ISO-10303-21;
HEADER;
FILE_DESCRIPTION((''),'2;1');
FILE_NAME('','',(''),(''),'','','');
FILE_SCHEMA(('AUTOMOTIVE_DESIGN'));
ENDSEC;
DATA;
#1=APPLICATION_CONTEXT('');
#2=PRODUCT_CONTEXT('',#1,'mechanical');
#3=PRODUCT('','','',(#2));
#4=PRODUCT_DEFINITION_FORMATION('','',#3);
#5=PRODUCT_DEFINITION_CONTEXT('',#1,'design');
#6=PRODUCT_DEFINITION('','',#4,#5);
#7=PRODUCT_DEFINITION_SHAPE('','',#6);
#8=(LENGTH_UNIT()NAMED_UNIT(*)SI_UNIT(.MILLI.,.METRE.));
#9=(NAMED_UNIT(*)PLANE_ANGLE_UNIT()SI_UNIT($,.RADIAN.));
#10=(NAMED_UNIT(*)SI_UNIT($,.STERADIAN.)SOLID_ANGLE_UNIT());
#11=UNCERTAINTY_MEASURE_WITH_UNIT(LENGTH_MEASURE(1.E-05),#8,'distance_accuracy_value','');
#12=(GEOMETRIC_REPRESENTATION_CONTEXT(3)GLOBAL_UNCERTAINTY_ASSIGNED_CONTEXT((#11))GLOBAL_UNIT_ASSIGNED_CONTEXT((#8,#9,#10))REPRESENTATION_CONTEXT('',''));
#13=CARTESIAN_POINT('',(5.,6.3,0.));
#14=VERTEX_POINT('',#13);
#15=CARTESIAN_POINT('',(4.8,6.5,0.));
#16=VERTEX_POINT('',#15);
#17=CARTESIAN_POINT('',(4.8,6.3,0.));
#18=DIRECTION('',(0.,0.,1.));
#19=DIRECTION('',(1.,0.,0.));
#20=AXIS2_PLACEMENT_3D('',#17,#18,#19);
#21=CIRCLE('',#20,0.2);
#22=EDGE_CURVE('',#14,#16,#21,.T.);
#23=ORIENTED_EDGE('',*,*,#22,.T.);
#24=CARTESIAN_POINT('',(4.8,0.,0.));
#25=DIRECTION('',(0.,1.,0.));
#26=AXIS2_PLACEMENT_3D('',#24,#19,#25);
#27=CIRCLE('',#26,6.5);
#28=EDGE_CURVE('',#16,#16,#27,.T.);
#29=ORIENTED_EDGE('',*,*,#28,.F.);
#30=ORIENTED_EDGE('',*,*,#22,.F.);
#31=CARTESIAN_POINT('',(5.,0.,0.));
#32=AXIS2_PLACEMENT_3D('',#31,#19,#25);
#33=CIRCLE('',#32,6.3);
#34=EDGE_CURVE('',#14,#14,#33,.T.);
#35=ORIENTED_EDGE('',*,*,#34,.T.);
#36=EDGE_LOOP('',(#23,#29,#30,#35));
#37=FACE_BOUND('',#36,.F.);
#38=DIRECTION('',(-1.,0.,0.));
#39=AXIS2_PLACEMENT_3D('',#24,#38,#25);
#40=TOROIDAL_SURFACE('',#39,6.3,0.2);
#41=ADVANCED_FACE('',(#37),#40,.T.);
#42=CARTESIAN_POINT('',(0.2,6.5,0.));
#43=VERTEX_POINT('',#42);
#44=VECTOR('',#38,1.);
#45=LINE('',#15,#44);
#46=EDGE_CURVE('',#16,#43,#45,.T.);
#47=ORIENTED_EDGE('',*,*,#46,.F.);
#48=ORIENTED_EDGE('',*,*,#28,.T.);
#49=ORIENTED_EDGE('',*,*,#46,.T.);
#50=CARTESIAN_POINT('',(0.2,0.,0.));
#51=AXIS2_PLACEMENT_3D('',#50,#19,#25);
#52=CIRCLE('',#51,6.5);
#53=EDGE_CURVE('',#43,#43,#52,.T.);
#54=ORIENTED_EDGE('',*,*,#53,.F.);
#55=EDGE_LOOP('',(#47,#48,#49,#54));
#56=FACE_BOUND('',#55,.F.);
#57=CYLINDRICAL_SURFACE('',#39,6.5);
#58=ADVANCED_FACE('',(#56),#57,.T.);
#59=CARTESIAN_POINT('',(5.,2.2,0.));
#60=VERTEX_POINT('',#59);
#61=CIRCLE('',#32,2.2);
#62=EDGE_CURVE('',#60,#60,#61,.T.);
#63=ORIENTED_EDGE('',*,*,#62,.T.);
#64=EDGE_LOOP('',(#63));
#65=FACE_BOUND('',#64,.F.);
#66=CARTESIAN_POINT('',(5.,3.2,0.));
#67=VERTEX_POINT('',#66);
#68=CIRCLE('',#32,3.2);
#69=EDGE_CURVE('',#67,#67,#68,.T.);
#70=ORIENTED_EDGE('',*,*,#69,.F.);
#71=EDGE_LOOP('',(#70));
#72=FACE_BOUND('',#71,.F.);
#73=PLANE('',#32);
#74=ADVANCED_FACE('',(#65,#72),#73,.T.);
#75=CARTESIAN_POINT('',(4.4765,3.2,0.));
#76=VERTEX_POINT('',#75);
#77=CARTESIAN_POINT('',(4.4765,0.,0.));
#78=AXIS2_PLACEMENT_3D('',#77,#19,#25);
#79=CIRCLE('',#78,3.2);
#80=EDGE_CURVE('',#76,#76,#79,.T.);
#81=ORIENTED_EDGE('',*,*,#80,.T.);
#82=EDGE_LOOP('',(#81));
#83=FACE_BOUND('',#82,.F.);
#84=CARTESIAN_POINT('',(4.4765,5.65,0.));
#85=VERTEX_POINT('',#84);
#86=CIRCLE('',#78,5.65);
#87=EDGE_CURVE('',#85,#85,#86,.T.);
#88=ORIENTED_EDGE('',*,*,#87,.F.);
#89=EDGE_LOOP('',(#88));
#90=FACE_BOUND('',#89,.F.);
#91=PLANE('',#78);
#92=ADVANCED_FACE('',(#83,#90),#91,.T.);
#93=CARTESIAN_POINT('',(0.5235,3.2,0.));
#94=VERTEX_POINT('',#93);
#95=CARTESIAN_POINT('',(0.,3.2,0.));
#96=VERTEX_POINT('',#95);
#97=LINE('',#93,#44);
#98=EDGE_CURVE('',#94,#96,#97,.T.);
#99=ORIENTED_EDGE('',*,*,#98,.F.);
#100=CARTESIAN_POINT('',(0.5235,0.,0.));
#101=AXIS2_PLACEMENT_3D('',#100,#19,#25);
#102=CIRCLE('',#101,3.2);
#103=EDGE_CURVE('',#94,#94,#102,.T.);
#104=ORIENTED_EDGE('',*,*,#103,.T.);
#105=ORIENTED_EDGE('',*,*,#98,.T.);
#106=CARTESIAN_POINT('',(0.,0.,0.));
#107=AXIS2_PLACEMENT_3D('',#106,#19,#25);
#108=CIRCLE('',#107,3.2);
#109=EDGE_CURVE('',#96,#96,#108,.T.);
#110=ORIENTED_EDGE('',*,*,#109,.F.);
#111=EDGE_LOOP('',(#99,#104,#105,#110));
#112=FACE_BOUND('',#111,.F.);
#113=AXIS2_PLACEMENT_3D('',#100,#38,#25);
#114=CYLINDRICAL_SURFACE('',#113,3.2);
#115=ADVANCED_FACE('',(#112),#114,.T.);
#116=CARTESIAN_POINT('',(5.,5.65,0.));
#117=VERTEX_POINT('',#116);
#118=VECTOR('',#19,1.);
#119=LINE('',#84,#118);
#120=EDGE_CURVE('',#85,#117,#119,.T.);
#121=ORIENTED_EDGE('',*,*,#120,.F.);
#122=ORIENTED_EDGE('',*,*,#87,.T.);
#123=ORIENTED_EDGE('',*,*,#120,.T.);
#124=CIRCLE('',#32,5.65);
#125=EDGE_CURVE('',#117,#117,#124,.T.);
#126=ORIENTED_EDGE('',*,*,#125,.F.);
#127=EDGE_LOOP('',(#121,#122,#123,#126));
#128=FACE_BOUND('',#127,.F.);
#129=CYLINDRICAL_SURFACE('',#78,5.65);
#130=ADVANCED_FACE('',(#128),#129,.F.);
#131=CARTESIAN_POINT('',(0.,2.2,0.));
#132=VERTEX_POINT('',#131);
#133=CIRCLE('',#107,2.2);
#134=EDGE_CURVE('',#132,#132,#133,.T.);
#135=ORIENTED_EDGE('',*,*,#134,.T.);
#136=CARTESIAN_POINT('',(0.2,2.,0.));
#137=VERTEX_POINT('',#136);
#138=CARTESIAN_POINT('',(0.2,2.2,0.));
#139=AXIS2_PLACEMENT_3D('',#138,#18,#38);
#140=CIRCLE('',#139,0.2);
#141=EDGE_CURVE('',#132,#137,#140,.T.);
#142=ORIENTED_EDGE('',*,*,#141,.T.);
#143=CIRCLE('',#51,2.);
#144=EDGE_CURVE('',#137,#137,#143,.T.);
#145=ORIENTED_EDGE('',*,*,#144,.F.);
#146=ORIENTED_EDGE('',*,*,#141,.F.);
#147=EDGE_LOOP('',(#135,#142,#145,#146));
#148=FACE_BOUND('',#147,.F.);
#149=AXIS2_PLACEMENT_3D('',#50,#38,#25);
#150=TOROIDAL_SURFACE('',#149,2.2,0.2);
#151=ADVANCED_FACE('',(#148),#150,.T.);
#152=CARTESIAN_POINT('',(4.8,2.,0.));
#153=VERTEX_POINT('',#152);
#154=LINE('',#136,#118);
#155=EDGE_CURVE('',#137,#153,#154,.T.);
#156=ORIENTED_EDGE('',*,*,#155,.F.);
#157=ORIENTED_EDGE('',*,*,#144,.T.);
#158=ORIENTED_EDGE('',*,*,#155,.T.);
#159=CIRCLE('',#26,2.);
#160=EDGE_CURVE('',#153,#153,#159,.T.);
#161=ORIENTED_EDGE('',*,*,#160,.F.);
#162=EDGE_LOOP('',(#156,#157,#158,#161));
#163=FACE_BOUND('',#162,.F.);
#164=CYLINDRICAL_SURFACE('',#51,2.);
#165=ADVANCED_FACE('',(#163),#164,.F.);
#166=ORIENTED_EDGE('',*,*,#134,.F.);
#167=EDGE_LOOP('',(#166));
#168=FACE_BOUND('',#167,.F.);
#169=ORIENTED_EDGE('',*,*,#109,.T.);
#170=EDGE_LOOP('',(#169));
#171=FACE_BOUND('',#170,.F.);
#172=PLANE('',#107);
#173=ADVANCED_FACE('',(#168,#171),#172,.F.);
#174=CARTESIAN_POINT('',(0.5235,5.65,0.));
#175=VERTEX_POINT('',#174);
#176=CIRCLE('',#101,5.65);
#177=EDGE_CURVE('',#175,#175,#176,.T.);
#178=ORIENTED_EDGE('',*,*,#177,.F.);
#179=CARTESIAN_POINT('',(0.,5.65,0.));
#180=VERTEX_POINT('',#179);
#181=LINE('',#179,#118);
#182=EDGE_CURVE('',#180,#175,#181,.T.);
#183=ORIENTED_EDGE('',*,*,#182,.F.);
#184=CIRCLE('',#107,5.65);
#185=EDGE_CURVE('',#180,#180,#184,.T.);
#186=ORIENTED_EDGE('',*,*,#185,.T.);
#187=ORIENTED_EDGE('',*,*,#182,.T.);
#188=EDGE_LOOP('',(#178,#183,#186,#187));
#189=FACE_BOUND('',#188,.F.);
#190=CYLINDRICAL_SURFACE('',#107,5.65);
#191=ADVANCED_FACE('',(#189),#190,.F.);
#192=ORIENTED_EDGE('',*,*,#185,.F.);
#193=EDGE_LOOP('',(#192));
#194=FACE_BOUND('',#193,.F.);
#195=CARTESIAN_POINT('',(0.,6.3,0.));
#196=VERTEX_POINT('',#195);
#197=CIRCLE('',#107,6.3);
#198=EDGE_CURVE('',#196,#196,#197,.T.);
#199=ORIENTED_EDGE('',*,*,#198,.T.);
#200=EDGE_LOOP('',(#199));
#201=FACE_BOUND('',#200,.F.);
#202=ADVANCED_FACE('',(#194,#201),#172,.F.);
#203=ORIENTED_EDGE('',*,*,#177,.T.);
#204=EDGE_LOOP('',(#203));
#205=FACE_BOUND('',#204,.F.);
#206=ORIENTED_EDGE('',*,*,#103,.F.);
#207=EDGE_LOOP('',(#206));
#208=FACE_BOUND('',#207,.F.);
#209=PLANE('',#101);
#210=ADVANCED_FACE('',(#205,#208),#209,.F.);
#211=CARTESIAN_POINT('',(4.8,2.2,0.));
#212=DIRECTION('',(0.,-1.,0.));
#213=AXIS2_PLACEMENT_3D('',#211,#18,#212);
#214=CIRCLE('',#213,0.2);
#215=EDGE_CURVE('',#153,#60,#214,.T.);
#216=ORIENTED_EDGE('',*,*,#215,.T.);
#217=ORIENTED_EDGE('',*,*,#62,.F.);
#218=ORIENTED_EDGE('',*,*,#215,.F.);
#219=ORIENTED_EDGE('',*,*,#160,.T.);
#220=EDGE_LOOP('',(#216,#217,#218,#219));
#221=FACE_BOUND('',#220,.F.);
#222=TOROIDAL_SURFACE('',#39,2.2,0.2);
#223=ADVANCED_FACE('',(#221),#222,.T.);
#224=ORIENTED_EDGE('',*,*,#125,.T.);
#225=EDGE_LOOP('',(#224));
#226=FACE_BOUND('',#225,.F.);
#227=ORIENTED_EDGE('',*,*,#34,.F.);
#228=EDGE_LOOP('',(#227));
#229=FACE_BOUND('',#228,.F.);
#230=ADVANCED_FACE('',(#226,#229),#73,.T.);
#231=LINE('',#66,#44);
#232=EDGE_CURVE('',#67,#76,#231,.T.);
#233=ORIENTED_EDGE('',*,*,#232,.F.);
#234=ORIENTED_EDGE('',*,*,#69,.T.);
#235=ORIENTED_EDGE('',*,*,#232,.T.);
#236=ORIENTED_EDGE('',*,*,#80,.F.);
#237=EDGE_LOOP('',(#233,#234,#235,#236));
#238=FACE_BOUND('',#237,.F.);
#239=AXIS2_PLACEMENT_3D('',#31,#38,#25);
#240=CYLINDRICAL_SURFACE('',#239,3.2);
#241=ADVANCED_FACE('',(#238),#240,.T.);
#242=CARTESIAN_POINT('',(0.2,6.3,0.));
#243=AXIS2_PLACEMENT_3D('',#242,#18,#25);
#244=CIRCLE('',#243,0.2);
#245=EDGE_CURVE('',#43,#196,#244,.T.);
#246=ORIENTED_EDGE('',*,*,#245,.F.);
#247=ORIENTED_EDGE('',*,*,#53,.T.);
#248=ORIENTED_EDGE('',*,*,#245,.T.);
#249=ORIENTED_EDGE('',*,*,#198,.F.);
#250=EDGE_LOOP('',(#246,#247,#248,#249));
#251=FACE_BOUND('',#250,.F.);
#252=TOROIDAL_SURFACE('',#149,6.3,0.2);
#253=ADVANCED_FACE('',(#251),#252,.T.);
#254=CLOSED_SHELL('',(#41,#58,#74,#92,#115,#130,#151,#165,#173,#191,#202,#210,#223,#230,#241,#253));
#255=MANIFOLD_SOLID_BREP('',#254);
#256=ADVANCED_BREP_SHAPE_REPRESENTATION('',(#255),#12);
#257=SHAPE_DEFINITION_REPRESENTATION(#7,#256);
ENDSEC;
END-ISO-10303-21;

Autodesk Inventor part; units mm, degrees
sketch "Sketch_1" plane through (0, 0, 0) normal (0, 0, 1) x (1, 0, 0)
  line L0 (4.8, 0) -> (0.2, 0)
  arc A0 (0, 2.2) -> (0.2, 2) centre (0.2, 2.2) ccw
  line L1 (0.2, 2) -> (4.8, 2)
  arc A1 (4.8, 2) -> (5, 2.2) centre (4.8, 2.2) ccw
  line L2 (5, 2.2) -> (5, 3.2)
  line L3 (5, 3.2) -> (4.4765, 3.2)
  line L4 (4.4765, 3.2) -> (4.4765, 5.65)
  line L5 (4.4765, 5.65) -> (5, 5.65)
  line L6 (5, 5.65) -> (5, 6.3)
  arc A2 (5, 6.3) -> (4.8, 6.5) centre (4.8, 6.3) ccw
  line L7 (4.8, 6.5) -> (0.2, 6.5)
  arc A3 (0.2, 6.5) -> (0, 6.3) centre (0.2, 6.3) ccw
  line L8 (0, 6.3) -> (0, 5.65)
  line L9 (0, 5.65) -> (0.5235, 5.65)
  line L10 (0.5235, 5.65) -> (0.5235, 3.2)
  line L11 (0.5235, 3.2) -> (0, 3.2)
  line L12 (0, 3.2) -> (0, 2.2)
revolve "Revolution1" add sketch "Sketch_1" angle 360 about axis through (4.8, 0, 0) along (1, 0, 0)
ref_plane "to_housing_XY" through (0, 0, 0) normal (1, 0, 0) x (0, 0, -1)
ref_plane "to_housing_YZ" through (0, 0, 0) normal (0, 0, -1) x (0, 1, 0)
ref_plane "to_housing_ZX" through (0, 0, 0) normal (0, 1, 0) x (1, 0, 0)
ref_plane "to_housing_center_XY" through (2.5, 0, 0) normal (1, 0, 0) x (0, 0, -1)
ref_plane "to_housing_center_YZ" through (2.5, 0, 0) normal (0, 0, -1) x (0, 1, 0)
ref_plane "to_housing_center_ZX" through (2.5, 0, 0) normal (0, 1, 0) x (1, 0, 0)
properties part number "B624ZZ"
